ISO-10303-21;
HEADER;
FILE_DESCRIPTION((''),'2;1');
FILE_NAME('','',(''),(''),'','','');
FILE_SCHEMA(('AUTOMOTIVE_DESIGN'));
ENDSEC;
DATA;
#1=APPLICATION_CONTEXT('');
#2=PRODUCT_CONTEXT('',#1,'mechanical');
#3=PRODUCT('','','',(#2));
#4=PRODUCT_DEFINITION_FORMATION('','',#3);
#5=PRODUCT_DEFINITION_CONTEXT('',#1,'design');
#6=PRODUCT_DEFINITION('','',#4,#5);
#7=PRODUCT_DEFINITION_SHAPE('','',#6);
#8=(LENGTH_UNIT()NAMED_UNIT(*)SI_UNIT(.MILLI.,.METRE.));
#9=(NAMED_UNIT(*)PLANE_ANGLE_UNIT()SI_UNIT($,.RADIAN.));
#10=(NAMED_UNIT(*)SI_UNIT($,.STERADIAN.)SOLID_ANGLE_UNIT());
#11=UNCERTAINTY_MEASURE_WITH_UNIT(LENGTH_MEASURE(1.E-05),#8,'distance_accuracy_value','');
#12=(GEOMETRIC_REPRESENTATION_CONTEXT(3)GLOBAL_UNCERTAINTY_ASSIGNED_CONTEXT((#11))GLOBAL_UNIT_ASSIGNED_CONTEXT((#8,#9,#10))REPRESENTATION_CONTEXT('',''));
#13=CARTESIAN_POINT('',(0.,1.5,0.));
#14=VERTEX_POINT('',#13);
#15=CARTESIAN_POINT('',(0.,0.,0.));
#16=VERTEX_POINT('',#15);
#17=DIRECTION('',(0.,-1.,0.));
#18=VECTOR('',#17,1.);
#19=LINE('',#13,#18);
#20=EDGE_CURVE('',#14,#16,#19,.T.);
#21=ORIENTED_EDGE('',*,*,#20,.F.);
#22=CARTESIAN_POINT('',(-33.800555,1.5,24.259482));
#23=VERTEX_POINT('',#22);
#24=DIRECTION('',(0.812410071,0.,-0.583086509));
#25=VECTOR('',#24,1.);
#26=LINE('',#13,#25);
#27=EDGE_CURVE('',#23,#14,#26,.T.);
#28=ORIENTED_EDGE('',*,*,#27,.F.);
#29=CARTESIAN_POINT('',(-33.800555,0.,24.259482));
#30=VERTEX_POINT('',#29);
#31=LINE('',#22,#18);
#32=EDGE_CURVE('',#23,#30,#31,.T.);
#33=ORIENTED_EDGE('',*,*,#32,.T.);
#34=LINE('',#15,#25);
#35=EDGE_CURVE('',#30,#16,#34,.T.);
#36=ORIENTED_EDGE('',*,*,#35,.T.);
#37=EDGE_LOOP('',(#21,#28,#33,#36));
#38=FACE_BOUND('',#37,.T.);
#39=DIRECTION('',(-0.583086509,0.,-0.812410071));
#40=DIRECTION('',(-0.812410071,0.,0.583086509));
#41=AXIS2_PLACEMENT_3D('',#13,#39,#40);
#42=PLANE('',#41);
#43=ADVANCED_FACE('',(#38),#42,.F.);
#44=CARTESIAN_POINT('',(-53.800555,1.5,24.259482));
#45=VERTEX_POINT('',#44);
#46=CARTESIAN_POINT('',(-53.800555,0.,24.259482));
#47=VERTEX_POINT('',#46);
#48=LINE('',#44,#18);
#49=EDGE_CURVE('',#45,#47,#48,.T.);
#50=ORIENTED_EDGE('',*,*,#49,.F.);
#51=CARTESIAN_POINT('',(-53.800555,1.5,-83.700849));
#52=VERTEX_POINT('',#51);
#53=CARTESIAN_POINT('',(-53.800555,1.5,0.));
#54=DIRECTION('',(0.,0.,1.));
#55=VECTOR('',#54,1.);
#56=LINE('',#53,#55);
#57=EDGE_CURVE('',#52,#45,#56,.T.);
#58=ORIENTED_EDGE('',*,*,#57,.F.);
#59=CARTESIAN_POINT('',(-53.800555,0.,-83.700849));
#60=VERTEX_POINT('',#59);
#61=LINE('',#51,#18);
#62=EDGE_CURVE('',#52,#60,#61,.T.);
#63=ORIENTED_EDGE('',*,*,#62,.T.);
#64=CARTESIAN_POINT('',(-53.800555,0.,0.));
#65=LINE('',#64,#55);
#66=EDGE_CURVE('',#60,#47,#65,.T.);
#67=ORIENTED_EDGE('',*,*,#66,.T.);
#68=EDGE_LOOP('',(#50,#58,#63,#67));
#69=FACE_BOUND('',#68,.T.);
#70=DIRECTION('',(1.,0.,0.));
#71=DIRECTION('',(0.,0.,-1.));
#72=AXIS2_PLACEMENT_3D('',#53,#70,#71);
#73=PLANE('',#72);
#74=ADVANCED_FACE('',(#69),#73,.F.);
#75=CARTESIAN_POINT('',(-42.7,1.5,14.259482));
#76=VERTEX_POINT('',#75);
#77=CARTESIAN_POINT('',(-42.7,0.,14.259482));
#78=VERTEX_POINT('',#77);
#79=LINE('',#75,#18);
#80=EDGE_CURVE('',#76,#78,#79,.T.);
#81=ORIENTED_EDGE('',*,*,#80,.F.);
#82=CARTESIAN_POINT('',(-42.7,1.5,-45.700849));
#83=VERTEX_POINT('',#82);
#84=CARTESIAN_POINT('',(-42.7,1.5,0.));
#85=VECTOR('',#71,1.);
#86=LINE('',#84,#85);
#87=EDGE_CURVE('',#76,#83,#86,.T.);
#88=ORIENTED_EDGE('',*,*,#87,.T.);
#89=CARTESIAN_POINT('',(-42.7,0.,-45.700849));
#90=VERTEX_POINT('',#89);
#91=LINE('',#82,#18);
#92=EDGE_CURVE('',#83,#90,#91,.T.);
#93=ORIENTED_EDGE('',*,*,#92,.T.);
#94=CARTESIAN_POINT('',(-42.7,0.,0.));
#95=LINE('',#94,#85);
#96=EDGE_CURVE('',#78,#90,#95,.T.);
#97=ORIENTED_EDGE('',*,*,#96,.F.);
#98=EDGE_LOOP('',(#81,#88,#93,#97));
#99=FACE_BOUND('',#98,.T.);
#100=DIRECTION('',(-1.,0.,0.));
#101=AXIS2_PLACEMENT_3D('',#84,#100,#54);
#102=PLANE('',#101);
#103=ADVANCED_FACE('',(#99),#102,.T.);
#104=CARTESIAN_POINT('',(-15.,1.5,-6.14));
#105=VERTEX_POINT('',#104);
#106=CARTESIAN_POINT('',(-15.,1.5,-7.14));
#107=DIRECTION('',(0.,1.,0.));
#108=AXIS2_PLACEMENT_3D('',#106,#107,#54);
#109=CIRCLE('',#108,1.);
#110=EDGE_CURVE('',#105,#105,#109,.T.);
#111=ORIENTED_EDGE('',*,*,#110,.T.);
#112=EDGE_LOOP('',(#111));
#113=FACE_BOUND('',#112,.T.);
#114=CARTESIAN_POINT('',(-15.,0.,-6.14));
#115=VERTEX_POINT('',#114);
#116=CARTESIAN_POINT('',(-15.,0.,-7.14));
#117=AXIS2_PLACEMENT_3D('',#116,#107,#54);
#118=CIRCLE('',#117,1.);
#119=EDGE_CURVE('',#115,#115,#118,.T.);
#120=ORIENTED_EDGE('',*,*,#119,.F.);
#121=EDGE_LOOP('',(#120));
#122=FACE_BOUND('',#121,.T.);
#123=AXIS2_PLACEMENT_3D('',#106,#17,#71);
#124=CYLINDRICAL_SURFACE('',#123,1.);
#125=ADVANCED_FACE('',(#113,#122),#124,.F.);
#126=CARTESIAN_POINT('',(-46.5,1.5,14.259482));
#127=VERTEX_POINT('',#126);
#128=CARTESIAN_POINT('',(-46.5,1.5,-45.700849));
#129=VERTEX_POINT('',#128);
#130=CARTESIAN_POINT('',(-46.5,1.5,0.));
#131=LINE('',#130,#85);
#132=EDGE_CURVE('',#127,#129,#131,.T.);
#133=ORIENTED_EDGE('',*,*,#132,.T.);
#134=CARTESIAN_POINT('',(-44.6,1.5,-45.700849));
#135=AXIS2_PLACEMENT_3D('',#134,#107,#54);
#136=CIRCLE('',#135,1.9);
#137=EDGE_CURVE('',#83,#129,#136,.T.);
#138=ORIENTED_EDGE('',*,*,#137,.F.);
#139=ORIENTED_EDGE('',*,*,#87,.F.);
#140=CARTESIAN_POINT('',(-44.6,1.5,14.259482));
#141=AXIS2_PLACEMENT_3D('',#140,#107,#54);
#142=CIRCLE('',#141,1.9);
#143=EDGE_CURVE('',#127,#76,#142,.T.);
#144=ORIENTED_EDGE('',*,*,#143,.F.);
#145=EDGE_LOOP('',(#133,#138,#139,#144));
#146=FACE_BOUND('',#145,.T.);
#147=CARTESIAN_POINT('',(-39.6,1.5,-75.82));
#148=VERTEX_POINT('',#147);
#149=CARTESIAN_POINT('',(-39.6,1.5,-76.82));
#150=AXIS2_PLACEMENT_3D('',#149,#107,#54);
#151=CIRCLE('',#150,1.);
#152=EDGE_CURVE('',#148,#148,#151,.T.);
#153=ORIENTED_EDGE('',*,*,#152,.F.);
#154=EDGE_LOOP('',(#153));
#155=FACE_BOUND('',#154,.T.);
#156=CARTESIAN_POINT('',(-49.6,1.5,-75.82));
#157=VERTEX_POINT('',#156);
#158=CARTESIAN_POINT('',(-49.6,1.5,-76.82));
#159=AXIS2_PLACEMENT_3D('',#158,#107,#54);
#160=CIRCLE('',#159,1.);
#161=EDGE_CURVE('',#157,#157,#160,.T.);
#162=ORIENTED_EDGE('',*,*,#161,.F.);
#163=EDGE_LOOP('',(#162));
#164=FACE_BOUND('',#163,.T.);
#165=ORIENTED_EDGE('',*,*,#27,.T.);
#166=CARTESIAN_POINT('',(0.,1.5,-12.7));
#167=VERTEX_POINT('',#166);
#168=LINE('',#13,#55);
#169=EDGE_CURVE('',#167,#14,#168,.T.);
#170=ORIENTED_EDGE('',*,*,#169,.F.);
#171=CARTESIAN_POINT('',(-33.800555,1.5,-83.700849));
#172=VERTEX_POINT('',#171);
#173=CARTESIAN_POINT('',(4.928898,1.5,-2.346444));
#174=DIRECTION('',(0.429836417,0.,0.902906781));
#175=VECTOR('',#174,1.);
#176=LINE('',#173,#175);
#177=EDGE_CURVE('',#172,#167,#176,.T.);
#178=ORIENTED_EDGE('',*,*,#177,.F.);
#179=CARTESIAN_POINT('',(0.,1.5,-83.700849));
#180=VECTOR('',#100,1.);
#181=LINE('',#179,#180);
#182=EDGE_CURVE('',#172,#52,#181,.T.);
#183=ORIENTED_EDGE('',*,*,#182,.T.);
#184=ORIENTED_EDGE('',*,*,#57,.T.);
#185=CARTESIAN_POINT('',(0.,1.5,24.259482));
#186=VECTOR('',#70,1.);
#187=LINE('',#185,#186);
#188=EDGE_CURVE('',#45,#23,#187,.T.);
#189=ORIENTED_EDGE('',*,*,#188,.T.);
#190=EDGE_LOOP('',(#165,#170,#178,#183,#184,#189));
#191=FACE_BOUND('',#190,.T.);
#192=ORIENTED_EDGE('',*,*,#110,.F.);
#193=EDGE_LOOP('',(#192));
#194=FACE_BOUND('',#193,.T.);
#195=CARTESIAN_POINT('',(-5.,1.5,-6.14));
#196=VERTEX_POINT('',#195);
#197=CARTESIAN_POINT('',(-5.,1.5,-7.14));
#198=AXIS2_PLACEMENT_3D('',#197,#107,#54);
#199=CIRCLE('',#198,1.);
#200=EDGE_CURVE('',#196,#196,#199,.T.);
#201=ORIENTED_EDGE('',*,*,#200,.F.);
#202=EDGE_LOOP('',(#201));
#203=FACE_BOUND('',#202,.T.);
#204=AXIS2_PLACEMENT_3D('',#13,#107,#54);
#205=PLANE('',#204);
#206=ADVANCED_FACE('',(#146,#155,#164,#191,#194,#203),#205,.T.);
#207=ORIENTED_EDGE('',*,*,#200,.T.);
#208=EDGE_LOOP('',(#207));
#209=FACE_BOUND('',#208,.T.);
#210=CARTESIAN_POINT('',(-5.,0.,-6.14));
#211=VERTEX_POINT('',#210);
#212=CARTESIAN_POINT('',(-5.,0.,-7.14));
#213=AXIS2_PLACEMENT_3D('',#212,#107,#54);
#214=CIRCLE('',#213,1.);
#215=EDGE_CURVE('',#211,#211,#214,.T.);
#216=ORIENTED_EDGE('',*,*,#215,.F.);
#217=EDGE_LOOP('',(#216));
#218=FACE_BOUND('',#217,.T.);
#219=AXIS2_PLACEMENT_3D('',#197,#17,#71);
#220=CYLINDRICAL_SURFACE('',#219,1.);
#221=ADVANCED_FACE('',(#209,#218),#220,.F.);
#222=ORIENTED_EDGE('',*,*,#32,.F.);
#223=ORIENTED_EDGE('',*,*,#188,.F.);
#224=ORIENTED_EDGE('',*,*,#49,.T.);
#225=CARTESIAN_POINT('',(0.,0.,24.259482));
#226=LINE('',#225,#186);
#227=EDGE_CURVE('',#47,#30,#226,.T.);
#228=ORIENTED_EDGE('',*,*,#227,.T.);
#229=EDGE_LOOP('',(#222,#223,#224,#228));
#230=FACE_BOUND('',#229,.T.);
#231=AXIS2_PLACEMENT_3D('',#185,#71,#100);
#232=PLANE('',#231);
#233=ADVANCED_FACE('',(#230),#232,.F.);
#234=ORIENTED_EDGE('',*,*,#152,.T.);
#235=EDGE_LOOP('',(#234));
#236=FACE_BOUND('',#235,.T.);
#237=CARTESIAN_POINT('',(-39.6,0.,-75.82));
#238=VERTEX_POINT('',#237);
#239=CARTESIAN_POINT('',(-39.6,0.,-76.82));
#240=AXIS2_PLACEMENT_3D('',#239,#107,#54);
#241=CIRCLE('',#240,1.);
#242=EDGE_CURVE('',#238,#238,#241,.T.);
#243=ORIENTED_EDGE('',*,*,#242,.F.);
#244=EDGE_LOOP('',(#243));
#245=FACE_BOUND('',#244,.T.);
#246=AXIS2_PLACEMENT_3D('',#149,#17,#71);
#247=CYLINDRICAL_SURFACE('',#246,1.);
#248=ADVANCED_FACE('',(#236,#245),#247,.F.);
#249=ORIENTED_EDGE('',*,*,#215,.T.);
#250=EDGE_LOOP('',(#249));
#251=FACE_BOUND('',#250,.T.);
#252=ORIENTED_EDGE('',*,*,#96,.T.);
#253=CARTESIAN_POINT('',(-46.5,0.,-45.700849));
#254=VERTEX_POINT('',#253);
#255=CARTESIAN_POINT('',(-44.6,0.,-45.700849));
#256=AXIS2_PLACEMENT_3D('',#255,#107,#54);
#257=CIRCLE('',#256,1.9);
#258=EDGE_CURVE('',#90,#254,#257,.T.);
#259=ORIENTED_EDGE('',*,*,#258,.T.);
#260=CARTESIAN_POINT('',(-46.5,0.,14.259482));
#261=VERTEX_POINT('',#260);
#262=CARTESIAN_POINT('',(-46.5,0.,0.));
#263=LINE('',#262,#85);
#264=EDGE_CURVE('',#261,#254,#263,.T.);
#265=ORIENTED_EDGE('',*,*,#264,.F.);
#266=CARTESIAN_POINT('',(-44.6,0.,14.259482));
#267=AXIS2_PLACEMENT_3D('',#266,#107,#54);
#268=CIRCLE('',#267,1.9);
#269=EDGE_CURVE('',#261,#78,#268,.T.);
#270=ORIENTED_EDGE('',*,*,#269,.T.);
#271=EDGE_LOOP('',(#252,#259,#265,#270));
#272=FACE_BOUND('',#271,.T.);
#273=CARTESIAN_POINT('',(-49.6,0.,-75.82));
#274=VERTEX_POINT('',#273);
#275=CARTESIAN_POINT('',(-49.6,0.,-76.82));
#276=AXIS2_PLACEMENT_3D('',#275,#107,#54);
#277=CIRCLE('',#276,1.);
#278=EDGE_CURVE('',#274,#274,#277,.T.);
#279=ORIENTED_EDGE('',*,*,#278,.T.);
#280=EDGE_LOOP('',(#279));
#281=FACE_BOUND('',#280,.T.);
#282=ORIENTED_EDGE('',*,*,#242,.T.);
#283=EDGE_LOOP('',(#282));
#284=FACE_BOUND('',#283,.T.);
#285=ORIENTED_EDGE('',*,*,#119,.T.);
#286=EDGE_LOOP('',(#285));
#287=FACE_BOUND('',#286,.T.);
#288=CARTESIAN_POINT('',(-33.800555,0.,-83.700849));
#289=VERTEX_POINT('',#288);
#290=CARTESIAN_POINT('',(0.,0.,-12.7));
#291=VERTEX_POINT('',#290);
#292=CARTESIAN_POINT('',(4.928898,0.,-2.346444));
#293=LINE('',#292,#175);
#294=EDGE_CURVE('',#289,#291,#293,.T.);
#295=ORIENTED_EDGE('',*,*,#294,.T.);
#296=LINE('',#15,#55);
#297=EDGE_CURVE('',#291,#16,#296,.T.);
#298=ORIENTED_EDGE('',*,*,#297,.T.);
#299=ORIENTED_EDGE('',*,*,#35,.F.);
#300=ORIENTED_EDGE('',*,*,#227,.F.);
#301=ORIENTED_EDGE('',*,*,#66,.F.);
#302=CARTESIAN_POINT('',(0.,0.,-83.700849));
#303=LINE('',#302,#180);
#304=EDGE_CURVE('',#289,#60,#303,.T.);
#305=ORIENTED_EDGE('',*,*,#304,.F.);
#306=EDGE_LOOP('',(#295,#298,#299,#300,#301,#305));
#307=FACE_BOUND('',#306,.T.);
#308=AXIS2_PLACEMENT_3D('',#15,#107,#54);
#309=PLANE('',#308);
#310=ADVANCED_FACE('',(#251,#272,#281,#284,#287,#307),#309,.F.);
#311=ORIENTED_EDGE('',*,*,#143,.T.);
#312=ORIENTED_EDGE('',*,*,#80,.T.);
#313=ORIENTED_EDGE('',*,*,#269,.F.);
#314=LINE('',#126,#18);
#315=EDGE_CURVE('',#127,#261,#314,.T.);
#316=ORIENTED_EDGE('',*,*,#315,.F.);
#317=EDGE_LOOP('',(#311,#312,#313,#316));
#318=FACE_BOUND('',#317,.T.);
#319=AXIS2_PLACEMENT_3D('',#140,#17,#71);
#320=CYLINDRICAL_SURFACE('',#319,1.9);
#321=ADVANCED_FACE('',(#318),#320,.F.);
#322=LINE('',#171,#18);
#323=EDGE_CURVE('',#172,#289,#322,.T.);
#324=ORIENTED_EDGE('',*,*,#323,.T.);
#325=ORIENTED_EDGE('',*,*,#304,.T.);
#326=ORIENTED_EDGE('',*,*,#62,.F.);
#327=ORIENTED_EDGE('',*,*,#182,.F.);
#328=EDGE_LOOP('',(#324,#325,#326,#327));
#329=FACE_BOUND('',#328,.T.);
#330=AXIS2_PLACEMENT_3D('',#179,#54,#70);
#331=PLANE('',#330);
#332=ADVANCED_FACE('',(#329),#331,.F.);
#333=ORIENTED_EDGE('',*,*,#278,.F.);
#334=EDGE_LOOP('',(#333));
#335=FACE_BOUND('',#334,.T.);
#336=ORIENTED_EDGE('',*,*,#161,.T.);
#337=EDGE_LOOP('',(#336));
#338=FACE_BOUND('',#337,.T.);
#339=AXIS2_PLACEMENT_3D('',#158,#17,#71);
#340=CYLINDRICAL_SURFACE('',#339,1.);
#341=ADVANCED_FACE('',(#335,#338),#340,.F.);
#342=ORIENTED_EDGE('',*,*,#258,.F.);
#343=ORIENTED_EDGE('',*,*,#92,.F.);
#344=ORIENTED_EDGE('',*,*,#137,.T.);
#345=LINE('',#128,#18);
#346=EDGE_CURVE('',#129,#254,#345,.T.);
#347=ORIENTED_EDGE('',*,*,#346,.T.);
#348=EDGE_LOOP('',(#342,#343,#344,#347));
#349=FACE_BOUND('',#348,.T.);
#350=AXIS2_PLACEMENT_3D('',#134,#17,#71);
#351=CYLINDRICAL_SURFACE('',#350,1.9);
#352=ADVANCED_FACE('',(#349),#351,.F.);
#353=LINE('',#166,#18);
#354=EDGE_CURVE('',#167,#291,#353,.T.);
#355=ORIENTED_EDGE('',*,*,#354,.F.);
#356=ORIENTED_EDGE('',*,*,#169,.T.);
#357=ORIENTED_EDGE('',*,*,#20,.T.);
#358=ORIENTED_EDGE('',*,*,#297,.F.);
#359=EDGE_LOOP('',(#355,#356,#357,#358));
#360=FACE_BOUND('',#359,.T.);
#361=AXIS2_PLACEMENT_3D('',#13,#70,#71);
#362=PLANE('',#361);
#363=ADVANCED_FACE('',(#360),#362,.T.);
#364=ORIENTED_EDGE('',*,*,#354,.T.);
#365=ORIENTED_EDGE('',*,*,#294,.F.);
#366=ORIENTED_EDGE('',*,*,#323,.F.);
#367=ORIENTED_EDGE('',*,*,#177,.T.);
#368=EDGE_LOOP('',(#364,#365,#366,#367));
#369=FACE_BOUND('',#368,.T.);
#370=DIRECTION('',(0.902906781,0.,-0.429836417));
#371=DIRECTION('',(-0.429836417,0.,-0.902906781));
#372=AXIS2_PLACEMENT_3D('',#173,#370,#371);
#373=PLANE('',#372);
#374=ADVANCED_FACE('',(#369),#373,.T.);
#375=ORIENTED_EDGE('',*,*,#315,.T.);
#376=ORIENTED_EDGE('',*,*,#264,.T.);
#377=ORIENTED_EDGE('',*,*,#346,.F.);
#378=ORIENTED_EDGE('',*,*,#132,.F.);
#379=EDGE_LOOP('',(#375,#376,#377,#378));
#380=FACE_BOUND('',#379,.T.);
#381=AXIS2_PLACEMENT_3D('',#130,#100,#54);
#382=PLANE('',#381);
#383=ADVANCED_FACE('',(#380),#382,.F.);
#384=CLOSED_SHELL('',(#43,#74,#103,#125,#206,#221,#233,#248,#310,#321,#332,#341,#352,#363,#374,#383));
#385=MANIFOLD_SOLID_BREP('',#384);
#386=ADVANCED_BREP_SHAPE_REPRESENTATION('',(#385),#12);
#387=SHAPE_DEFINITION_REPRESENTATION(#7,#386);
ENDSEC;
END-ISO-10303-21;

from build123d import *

# Parameters (mm, degrees)
SKETCH1_R           = 1
BOSS_EXTRUDE1_DEPTH = 1.5


with BuildPart() as part:
    # Sketch1 → Boss-Extrude1 (new body)
    with BuildSketch(Plane(origin=(0, 0, 0), x_dir=(1, 0, 0), z_dir=(0, 1, 0))):
        Polygon((-33.800555393, 83.700849363), (0, 12.7), (0, 0), (-33.800555393, -24.25948244), (-53.800555393, -24.25948244), (-53.800555393, 83.700849363), align=None)
        with Locations(Location((-39.6, 76.82, 0), (0, 0, 270))):
            Circle(SKETCH1_R, mode=Mode.SUBTRACT)
        with Locations(Location((-49.6, 76.82, 0), (0, 0, 270))):
            Circle(SKETCH1_R, mode=Mode.SUBTRACT)
        with Locations(Location((-5, 7.14, 0), (0, 0, 270))):
            Circle(SKETCH1_R, mode=Mode.SUBTRACT)
        with Locations(Location((-15, 7.14, 0), (0, 0, 270))):
            Circle(SKETCH1_R, mode=Mode.SUBTRACT)
        with BuildLine():
            Line((-42.7, -14.25948244), (-42.7, 45.700849363))
            ThreePointArc((-42.7, 45.700849363), (-44.6, 47.600849363), (-46.5, 45.700849363))
            Line((-46.5, 45.700849363), (-46.5, -14.25948244))
            ThreePointArc((-46.5, -14.25948244), (-44.6, -16.15948244), (-42.7, -14.25948244))
        make_face(mode=Mode.SUBTRACT)
    extrude(amount=BOSS_EXTRUDE1_DEPTH)


solid = part.part
